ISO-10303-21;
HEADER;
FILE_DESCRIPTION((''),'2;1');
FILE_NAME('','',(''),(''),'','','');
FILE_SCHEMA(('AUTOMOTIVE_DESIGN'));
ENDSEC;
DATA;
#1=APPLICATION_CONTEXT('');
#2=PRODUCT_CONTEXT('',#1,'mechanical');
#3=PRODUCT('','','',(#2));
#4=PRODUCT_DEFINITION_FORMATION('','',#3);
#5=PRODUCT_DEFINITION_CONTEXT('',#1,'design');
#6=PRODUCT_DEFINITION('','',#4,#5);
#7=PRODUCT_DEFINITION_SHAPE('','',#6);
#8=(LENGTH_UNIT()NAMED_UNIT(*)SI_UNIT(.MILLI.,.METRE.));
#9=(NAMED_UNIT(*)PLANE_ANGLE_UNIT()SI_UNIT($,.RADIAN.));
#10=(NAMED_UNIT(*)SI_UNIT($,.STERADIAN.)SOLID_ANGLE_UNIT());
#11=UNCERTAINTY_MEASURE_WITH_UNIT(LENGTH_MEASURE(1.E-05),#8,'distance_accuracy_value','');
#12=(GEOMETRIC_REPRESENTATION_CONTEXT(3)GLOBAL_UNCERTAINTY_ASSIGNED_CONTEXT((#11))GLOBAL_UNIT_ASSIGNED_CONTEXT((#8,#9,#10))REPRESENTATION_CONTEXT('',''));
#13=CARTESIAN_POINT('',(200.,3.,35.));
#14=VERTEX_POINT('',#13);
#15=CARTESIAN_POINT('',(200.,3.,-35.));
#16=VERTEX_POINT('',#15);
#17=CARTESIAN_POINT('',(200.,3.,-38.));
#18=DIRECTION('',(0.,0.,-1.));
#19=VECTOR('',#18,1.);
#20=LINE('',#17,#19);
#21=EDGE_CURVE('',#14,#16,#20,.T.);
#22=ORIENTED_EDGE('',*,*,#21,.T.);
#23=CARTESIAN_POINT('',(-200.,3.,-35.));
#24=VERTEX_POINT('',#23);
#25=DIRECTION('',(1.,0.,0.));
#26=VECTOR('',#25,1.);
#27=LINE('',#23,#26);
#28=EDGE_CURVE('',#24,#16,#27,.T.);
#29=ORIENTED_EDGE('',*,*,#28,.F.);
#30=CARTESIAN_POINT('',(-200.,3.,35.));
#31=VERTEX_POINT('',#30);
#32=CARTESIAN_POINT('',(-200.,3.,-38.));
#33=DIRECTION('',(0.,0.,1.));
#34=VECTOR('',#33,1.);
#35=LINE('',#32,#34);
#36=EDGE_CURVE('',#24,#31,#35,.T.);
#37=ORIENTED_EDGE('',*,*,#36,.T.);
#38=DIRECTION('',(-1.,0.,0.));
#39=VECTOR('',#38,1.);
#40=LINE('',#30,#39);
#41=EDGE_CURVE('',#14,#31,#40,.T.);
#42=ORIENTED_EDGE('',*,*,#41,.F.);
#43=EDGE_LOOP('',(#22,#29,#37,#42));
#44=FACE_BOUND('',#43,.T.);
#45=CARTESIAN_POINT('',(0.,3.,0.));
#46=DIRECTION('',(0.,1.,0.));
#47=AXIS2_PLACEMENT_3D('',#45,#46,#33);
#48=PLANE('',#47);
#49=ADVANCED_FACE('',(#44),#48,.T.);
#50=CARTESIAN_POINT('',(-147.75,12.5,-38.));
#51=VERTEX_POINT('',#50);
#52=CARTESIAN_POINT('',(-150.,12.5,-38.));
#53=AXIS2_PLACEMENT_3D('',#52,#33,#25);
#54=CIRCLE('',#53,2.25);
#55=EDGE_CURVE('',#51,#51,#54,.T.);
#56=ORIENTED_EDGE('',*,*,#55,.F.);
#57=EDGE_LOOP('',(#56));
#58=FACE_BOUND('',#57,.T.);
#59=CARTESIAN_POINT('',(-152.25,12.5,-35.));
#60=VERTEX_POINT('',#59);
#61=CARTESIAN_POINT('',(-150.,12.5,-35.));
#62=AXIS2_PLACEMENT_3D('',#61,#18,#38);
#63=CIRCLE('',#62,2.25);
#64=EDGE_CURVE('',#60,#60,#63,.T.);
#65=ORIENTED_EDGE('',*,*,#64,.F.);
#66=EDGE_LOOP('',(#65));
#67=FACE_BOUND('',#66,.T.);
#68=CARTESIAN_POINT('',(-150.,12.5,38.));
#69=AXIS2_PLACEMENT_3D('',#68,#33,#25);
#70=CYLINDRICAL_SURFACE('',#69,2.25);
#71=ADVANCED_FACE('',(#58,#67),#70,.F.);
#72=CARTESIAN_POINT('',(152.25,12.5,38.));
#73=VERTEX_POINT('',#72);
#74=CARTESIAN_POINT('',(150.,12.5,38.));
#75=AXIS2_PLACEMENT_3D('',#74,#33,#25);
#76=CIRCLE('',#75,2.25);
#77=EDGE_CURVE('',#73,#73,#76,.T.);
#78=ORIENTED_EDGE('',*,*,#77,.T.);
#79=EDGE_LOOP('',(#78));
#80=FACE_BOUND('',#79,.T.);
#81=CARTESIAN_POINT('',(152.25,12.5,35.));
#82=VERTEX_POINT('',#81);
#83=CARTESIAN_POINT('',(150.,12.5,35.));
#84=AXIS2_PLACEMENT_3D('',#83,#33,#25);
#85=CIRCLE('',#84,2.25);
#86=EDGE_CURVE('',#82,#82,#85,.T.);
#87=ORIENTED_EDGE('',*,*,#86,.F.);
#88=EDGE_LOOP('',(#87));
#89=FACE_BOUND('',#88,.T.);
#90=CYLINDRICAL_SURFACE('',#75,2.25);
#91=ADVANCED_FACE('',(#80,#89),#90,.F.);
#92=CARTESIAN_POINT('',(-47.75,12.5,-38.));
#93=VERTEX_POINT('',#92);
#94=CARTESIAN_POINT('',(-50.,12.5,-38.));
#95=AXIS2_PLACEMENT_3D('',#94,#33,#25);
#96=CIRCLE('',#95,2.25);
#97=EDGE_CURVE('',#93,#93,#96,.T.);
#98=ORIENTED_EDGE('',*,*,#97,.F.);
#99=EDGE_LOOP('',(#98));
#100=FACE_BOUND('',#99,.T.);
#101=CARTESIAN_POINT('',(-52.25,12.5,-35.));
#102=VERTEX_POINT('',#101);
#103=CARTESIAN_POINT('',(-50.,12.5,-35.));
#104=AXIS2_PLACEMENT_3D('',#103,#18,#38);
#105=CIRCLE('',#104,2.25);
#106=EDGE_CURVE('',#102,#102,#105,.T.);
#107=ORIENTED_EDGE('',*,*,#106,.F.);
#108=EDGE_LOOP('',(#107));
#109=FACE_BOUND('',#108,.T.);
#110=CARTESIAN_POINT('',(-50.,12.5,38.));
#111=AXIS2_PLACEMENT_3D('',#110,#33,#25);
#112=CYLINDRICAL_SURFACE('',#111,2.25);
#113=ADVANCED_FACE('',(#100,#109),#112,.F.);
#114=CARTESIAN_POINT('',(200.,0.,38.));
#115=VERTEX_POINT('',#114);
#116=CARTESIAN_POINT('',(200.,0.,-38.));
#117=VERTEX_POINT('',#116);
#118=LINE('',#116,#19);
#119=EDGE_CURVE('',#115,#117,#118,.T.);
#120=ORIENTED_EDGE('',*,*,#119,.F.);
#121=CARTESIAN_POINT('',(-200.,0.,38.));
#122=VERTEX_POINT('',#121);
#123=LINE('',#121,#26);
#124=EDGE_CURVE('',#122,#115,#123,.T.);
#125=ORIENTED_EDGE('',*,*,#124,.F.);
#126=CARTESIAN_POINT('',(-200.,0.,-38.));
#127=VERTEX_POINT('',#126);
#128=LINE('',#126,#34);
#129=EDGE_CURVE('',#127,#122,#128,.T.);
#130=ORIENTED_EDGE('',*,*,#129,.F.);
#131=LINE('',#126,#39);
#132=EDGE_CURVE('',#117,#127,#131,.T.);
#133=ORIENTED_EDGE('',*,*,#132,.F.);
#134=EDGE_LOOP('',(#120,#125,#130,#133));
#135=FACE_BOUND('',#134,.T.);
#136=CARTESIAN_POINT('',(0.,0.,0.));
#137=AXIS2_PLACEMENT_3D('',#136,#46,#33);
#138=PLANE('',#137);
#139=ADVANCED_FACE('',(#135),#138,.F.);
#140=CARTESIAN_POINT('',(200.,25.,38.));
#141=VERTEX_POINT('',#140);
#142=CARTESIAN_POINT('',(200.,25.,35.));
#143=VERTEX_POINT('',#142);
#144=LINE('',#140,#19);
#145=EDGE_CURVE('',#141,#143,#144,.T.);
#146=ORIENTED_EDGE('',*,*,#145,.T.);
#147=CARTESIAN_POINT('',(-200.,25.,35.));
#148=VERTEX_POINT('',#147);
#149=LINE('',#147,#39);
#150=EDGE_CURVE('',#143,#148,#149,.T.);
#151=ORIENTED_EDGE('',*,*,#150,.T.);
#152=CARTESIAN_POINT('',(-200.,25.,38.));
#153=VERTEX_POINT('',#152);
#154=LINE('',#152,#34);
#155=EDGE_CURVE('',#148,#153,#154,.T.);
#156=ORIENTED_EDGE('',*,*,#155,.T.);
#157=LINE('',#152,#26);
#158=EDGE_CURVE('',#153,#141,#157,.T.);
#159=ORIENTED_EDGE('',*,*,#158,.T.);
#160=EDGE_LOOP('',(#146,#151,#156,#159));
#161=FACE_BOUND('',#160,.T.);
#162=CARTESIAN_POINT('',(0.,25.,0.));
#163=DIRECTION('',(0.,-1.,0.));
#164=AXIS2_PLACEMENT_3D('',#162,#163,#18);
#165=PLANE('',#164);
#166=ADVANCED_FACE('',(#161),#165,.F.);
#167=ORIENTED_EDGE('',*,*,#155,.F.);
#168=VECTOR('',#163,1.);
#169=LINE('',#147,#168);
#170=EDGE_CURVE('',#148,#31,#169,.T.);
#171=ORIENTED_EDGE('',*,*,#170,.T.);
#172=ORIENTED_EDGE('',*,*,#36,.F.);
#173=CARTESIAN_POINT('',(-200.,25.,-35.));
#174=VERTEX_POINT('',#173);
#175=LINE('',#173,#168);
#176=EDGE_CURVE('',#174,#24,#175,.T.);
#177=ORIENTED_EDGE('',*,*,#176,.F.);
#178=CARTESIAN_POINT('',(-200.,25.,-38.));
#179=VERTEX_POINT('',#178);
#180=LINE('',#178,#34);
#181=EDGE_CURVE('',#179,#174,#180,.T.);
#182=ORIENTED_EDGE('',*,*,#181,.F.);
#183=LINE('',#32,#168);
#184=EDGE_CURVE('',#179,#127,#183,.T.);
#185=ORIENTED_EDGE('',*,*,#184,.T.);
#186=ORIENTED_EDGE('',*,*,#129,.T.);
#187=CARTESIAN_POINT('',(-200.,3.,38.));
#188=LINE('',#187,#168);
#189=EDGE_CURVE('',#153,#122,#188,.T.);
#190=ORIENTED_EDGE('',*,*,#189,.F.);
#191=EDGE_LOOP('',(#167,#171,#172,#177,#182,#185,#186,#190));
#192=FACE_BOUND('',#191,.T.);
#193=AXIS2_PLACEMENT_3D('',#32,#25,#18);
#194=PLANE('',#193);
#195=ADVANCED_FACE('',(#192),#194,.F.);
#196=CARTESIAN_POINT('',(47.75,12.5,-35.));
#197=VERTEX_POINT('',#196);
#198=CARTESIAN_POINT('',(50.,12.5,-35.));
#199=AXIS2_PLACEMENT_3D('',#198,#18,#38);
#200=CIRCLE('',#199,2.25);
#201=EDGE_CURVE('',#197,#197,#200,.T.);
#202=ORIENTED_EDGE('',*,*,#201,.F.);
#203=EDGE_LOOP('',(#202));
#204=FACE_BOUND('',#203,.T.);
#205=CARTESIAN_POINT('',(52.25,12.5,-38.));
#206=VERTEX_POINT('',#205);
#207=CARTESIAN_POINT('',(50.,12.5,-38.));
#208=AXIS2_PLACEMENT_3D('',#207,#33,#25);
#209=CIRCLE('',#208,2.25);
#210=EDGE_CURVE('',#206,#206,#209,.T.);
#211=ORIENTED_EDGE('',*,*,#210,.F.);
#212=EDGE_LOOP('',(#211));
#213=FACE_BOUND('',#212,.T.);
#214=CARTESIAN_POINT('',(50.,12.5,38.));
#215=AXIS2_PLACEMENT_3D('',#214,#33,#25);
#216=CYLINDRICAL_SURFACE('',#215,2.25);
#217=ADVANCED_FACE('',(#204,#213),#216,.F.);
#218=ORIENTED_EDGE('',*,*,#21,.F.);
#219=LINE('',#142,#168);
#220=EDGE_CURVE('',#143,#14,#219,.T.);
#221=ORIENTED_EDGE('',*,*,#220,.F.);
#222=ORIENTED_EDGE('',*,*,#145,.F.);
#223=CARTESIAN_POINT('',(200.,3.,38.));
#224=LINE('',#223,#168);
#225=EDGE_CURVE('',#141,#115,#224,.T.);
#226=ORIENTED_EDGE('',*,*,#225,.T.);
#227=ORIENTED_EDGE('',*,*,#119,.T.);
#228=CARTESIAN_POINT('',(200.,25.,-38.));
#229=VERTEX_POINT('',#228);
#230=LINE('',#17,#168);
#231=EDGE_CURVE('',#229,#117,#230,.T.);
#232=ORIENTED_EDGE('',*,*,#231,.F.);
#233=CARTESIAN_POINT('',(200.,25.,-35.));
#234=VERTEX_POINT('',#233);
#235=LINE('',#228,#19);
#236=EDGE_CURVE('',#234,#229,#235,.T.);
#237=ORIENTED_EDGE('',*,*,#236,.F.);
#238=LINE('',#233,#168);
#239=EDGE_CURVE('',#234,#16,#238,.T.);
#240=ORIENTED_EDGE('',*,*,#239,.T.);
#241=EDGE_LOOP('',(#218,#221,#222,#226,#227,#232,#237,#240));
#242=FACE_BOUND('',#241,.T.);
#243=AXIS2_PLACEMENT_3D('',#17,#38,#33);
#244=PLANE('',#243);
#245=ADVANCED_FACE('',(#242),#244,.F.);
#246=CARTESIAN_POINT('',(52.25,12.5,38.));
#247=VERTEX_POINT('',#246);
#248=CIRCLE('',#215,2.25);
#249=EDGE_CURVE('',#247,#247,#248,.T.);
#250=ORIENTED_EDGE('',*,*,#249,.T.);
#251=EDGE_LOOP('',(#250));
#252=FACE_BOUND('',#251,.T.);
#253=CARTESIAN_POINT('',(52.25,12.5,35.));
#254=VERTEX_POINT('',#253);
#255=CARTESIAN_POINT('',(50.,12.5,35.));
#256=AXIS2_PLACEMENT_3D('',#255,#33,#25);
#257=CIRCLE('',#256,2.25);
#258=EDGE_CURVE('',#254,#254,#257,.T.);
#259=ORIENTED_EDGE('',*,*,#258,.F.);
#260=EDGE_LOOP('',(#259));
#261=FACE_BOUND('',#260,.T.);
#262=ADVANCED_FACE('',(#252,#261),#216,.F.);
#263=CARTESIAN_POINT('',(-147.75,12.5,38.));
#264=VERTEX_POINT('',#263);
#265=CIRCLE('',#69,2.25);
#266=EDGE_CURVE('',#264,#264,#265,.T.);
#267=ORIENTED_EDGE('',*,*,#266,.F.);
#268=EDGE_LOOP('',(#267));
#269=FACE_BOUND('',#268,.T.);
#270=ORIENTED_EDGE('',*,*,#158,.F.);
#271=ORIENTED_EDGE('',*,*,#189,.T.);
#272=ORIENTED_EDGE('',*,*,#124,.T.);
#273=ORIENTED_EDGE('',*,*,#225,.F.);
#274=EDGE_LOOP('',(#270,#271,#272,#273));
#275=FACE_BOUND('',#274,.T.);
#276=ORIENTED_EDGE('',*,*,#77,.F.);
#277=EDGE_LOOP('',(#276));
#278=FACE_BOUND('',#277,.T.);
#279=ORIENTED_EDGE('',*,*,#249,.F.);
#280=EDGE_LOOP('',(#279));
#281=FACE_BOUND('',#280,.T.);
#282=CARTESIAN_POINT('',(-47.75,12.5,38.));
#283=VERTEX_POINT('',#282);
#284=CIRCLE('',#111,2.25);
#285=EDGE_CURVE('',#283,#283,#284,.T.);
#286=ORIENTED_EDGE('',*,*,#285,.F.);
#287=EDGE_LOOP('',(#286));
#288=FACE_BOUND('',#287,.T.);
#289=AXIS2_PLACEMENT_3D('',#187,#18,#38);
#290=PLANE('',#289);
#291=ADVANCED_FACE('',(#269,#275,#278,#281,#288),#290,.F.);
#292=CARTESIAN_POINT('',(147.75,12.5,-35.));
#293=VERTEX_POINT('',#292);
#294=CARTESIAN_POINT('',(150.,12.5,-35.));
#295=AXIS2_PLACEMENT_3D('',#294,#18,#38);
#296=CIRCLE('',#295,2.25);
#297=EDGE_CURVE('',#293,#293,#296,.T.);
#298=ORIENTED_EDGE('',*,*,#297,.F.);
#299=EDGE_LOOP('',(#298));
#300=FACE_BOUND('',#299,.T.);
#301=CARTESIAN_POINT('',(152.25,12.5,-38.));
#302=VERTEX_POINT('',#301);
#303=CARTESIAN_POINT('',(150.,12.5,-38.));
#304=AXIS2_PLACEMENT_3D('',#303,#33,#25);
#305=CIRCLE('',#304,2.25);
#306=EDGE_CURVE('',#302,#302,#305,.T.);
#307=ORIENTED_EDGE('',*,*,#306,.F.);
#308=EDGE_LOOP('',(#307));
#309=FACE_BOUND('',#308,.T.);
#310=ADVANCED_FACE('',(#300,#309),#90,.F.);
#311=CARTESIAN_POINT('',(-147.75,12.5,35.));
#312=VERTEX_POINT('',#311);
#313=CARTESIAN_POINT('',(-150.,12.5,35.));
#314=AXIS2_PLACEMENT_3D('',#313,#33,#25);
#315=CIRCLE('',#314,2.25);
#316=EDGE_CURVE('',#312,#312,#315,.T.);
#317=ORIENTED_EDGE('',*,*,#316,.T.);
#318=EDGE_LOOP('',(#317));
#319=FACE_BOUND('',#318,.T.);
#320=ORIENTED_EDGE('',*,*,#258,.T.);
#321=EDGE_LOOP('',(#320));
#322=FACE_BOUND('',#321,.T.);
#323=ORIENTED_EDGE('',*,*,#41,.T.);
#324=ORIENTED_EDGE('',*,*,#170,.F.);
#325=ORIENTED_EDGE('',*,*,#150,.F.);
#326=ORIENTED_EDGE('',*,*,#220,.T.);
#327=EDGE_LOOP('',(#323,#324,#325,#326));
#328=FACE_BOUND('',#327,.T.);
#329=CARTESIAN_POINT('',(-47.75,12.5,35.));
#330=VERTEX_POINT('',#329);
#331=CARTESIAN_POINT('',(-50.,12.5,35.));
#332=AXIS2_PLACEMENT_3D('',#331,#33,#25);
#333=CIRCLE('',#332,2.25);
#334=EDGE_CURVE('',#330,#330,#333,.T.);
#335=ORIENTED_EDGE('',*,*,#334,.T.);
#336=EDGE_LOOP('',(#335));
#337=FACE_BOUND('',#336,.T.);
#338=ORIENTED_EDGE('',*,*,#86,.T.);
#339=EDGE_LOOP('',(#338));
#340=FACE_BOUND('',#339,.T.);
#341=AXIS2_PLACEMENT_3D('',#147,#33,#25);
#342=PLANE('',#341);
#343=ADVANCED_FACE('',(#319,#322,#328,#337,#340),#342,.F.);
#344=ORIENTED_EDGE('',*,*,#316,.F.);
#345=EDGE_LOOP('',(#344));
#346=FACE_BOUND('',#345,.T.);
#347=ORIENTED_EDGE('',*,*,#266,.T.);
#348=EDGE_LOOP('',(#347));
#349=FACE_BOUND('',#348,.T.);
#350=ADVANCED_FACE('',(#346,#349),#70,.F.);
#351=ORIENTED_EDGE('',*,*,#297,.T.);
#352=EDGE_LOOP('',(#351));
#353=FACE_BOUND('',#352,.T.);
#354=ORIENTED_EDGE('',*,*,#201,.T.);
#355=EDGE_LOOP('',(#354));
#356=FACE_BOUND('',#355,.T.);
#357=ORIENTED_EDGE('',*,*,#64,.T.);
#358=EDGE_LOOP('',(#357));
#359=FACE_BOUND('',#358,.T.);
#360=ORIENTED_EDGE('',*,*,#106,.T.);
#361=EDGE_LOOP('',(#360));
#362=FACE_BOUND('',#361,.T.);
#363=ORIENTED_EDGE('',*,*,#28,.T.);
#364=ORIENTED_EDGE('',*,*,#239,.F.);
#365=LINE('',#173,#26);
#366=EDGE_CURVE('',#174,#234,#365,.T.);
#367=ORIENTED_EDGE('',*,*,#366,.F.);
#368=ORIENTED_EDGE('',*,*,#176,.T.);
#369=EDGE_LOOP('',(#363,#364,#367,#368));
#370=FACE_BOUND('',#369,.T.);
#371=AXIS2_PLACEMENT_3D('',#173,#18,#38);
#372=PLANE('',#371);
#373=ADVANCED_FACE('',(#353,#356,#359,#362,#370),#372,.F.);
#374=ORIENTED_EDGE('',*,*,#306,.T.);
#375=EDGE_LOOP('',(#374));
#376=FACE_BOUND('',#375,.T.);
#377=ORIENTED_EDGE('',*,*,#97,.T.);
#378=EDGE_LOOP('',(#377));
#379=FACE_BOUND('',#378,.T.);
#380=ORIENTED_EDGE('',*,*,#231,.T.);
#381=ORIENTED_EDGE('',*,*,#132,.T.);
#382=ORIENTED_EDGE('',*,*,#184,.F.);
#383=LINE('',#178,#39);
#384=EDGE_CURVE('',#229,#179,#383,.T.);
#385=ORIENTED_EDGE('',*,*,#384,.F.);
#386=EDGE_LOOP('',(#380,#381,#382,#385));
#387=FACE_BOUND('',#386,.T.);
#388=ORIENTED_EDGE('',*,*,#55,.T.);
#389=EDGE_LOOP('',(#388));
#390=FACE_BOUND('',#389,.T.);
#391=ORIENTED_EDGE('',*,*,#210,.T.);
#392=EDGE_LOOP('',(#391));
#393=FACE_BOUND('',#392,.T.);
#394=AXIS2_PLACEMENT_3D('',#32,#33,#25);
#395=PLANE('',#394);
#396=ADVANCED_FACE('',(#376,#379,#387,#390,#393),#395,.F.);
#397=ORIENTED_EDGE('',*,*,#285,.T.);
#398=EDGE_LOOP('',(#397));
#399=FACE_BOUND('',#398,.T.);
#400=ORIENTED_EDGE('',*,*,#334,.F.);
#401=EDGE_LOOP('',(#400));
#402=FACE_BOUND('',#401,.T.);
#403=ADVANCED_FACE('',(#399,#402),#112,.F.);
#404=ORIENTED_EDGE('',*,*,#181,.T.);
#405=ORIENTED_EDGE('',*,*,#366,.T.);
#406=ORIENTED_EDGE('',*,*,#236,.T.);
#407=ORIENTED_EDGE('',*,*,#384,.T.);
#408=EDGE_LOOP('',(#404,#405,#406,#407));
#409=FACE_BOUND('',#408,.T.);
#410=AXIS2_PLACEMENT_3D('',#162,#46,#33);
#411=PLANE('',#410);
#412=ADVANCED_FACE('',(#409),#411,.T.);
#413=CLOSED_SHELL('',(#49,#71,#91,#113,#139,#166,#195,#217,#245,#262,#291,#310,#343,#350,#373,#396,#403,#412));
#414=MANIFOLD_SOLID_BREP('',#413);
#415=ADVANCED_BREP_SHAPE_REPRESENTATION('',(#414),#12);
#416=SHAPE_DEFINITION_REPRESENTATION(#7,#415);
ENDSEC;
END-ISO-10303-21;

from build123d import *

# Parameters (mm, degrees)
ESBO_O1_W                = 400
ESBO_O1_H                = 76
RESSALTO_EXTRUS_O1_DEPTH = 3
ESBO_O2_W                = 400
ESBO_O2_H                = 3
RESSALTO_EXTRUS_O2_DEPTH = 22
FURO_COM_FOLGA_DE_M41_D  = 4.5


with BuildPart() as part:
    # Esboço1 → Ressalto-extrusão1 (new body)
    with BuildSketch(Plane(origin=(0, 0, 0), x_dir=(1, 0, 0), z_dir=(0, 1, 0))):
        Rectangle(ESBO_O1_W, ESBO_O1_H)
    extrude(amount=RESSALTO_EXTRUS_O1_DEPTH)

    # Esboço2 → Ressalto-extrusão2 (add)
    with BuildSketch(Plane(origin=(0, 3, 0), x_dir=(1, 0, 0), z_dir=(0, 1, 0))):
        with Locations((0, 36.5)):
            Rectangle(ESBO_O2_W, ESBO_O2_H)
        with Locations((0, -36.5)):
            Rectangle(ESBO_O2_W, ESBO_O2_H)
    extrude(amount=RESSALTO_EXTRUS_O2_DEPTH)

    # Furo com folga de M41 (through all)
    with Locations(Plane(origin=(-150, 12.5, 38), x_dir=(1, 0, 0), z_dir=(0, 0, 1))):
        with Locations((0, 0), (300, 0), (100, 0), (200, 0)):
            Hole(FURO_COM_FOLGA_DE_M41_D / 2)


solid = part.part
